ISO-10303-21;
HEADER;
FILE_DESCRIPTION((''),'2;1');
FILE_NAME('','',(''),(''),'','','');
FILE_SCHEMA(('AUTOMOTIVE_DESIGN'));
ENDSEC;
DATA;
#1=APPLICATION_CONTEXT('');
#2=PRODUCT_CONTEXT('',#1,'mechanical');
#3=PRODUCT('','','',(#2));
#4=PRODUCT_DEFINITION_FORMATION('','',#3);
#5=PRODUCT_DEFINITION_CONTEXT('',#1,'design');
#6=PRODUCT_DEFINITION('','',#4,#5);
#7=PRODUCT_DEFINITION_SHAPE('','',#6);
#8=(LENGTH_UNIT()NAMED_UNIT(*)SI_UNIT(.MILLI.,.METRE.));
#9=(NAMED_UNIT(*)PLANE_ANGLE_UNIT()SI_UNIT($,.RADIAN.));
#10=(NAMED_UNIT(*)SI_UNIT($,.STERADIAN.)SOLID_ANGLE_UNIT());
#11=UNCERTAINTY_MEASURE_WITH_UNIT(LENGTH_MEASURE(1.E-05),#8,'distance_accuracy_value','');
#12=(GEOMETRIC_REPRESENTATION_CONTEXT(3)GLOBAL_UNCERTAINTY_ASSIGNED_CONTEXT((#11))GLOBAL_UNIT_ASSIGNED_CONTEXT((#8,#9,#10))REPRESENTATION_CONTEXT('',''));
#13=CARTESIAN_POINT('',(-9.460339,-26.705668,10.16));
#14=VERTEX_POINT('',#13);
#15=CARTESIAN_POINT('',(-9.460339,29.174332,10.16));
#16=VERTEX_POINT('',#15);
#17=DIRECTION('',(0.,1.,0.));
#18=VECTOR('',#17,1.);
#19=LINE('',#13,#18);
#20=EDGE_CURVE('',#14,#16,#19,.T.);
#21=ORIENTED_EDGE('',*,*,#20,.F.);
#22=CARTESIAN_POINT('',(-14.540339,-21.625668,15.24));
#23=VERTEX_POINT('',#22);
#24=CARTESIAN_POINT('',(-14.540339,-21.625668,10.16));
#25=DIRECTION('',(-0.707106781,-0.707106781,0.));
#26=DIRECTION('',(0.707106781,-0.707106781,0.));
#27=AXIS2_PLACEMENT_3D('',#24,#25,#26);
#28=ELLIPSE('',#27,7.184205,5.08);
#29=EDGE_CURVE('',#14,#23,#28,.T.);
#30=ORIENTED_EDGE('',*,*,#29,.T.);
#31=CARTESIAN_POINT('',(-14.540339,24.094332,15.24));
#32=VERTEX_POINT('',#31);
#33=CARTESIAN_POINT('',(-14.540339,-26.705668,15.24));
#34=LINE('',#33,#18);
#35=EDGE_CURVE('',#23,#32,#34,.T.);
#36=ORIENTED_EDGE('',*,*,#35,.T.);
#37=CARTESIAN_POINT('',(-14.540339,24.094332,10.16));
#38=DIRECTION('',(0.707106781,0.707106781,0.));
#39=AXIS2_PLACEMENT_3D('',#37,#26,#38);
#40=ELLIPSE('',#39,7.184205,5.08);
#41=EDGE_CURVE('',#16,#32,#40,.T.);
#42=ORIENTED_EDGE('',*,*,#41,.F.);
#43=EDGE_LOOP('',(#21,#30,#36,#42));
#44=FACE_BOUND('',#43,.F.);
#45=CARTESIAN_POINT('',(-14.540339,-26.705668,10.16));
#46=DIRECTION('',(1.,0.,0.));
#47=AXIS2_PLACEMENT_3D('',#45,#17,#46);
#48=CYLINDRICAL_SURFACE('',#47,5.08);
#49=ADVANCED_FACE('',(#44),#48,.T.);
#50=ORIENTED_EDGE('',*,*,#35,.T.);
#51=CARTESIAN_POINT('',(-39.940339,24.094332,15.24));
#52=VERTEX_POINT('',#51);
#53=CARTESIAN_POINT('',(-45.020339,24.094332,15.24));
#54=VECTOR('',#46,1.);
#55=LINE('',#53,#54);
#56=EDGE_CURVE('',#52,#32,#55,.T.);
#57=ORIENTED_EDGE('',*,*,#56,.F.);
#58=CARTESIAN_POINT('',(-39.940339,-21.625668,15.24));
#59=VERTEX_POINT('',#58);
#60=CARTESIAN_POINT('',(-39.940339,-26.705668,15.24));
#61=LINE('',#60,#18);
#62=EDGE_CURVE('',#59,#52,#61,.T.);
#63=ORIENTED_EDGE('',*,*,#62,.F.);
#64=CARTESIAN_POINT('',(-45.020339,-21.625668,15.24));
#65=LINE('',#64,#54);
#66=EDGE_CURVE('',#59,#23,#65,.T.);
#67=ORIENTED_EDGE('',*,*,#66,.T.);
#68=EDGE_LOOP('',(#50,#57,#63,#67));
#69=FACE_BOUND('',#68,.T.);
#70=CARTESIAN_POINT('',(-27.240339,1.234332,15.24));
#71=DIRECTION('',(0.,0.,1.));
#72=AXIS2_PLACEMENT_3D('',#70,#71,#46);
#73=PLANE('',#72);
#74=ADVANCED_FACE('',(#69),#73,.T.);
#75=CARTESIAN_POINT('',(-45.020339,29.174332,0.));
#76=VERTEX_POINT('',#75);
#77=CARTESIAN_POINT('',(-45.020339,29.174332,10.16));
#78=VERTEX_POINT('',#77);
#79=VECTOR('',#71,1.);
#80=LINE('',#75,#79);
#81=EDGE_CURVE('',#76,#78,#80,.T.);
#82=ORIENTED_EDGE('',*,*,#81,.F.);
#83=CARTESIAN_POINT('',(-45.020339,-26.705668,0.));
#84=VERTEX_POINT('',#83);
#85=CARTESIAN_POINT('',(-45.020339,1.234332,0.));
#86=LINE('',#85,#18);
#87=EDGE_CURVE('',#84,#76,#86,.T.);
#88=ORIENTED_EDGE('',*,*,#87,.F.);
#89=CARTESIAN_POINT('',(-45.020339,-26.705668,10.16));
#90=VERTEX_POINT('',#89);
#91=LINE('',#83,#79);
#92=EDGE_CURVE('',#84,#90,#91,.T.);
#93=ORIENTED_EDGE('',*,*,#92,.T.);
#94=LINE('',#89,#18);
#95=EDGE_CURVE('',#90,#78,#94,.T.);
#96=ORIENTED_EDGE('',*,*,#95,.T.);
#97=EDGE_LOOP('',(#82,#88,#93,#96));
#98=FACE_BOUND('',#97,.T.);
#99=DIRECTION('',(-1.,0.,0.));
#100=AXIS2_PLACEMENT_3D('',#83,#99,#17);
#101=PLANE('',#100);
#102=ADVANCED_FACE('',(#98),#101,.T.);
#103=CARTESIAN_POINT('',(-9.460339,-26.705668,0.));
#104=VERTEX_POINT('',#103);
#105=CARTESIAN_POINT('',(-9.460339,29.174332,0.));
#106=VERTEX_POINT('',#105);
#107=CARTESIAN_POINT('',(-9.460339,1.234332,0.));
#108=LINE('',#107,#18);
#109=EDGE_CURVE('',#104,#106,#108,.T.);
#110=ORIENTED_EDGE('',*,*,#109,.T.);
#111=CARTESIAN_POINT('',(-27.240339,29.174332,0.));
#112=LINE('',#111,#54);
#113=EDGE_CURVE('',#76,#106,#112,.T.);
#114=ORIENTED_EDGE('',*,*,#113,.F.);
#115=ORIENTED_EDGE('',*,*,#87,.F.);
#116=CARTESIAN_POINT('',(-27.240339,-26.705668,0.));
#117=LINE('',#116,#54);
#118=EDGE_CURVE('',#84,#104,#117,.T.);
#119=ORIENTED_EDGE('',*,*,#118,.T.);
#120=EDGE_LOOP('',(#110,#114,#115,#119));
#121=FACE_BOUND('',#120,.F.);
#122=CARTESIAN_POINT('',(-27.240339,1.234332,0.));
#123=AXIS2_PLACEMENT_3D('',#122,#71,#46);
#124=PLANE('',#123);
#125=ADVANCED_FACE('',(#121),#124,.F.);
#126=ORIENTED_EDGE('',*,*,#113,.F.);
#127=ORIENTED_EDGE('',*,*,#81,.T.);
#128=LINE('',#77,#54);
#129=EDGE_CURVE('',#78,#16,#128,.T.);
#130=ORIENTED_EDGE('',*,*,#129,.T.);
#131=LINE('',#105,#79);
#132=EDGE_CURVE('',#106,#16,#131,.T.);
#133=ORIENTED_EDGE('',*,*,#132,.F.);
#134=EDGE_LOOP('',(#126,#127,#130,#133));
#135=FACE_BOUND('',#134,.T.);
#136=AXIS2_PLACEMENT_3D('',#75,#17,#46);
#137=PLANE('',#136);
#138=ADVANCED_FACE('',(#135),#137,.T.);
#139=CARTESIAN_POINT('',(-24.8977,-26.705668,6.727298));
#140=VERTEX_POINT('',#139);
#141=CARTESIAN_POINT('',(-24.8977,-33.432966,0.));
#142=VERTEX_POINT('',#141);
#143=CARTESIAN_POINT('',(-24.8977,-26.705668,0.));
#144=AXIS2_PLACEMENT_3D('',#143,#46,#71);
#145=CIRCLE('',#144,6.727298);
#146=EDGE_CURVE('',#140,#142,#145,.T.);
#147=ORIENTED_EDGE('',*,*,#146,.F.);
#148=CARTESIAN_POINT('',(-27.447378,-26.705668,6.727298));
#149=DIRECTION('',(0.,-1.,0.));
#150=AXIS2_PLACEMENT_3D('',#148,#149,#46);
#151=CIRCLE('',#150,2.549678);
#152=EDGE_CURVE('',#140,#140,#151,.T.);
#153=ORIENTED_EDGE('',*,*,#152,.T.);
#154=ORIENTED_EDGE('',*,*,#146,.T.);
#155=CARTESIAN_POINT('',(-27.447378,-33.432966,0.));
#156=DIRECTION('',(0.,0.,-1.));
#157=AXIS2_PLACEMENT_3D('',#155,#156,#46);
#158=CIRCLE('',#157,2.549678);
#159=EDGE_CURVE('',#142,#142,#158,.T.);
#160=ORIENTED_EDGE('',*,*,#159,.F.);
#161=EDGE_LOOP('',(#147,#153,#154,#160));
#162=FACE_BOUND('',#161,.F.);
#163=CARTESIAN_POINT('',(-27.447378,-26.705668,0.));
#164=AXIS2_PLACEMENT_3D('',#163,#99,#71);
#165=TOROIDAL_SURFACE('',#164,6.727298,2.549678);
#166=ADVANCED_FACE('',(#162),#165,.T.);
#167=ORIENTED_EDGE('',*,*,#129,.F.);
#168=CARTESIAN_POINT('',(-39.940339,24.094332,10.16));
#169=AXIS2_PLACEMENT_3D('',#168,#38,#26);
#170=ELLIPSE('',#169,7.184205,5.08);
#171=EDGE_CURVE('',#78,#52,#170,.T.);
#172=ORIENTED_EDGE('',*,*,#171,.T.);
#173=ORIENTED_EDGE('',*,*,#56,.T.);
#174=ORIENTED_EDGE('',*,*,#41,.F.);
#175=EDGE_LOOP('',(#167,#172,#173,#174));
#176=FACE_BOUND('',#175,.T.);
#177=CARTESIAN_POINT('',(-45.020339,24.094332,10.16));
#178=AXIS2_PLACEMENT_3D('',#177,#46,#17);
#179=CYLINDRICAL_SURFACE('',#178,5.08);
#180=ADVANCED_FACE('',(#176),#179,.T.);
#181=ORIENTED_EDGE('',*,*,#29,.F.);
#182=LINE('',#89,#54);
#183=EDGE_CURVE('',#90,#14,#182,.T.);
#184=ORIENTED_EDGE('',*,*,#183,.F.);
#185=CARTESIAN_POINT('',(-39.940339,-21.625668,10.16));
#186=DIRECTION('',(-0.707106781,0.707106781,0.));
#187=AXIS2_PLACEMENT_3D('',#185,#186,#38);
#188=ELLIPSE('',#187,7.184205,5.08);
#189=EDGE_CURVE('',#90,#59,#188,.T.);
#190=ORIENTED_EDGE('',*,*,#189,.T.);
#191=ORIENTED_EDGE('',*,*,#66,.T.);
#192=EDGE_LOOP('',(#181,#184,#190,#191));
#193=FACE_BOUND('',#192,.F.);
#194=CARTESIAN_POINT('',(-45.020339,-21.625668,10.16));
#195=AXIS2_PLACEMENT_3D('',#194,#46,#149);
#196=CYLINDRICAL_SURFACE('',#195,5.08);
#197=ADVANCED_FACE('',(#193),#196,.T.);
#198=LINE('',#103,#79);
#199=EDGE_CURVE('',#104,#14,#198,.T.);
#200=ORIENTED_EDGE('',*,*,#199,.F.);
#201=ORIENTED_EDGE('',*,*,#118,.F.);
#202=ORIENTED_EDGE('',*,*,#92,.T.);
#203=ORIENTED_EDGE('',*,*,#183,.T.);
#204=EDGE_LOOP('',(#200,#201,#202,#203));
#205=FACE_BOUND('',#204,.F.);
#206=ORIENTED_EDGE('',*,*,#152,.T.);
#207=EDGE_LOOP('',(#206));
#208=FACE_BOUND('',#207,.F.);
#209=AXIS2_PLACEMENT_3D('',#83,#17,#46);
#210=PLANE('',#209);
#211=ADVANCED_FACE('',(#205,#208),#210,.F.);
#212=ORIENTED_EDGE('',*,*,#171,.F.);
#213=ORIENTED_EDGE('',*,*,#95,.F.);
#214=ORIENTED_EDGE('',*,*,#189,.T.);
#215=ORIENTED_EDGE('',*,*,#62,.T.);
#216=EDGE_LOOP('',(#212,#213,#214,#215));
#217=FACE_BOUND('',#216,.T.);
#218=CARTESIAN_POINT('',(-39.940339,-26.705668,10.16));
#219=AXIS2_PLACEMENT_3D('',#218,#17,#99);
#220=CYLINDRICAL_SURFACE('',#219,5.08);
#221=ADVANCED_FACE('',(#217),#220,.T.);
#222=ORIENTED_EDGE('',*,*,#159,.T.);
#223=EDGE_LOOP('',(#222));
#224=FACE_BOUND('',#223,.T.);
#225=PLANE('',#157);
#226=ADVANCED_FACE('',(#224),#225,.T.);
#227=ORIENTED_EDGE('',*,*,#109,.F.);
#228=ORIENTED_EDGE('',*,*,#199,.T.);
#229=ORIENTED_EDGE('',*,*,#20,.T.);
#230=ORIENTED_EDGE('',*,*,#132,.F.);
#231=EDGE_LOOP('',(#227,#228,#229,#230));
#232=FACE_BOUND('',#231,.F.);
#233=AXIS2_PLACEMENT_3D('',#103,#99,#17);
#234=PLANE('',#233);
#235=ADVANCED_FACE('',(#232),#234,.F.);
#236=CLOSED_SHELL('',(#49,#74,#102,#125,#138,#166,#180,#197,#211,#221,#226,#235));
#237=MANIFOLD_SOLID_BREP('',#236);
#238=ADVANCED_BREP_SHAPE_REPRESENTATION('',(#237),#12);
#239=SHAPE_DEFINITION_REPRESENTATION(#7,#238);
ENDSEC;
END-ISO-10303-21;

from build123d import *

# Parameters (mm, degrees)
F0_W     = 35.56
F0_H     = 55.88
F1_DEPTH = 15.24
F2_R     = 5.08
F3_R     = 2.549678
F4_ANGLE = 90


with BuildPart() as f1:
    # F0 (on Top) → F1 (new body)
    with BuildSketch(Plane.XY):
        with Locations((-27.240339, 1.234332)):
            Rectangle(F0_W, F0_H)
    extrude(amount=F1_DEPTH)

    # F2
    f2_edges = [f1.edges().sort_by_distance(p)[0] for p in [
        (-27.240339, 29.174332, 15.24),
        (-45.020339, 1.234332, 15.24),
        (-27.240339, -26.705668, 15.24),
        (-9.460339, 1.234332, 15.24),
    ]]
    fillet(f2_edges, radius=F2_R)

    # F3 (on face) → F4 (revolve)
    with BuildSketch(Plane.XZ.offset(26.705668)):
        with Locations((-27.447378, 6.727298)):
            Circle(F3_R)
    revolve(axis=Axis((-27.240339, -26.705668, 0), (1, 0, 0)), revolution_arc=F4_ANGLE)


solid = f1.part
